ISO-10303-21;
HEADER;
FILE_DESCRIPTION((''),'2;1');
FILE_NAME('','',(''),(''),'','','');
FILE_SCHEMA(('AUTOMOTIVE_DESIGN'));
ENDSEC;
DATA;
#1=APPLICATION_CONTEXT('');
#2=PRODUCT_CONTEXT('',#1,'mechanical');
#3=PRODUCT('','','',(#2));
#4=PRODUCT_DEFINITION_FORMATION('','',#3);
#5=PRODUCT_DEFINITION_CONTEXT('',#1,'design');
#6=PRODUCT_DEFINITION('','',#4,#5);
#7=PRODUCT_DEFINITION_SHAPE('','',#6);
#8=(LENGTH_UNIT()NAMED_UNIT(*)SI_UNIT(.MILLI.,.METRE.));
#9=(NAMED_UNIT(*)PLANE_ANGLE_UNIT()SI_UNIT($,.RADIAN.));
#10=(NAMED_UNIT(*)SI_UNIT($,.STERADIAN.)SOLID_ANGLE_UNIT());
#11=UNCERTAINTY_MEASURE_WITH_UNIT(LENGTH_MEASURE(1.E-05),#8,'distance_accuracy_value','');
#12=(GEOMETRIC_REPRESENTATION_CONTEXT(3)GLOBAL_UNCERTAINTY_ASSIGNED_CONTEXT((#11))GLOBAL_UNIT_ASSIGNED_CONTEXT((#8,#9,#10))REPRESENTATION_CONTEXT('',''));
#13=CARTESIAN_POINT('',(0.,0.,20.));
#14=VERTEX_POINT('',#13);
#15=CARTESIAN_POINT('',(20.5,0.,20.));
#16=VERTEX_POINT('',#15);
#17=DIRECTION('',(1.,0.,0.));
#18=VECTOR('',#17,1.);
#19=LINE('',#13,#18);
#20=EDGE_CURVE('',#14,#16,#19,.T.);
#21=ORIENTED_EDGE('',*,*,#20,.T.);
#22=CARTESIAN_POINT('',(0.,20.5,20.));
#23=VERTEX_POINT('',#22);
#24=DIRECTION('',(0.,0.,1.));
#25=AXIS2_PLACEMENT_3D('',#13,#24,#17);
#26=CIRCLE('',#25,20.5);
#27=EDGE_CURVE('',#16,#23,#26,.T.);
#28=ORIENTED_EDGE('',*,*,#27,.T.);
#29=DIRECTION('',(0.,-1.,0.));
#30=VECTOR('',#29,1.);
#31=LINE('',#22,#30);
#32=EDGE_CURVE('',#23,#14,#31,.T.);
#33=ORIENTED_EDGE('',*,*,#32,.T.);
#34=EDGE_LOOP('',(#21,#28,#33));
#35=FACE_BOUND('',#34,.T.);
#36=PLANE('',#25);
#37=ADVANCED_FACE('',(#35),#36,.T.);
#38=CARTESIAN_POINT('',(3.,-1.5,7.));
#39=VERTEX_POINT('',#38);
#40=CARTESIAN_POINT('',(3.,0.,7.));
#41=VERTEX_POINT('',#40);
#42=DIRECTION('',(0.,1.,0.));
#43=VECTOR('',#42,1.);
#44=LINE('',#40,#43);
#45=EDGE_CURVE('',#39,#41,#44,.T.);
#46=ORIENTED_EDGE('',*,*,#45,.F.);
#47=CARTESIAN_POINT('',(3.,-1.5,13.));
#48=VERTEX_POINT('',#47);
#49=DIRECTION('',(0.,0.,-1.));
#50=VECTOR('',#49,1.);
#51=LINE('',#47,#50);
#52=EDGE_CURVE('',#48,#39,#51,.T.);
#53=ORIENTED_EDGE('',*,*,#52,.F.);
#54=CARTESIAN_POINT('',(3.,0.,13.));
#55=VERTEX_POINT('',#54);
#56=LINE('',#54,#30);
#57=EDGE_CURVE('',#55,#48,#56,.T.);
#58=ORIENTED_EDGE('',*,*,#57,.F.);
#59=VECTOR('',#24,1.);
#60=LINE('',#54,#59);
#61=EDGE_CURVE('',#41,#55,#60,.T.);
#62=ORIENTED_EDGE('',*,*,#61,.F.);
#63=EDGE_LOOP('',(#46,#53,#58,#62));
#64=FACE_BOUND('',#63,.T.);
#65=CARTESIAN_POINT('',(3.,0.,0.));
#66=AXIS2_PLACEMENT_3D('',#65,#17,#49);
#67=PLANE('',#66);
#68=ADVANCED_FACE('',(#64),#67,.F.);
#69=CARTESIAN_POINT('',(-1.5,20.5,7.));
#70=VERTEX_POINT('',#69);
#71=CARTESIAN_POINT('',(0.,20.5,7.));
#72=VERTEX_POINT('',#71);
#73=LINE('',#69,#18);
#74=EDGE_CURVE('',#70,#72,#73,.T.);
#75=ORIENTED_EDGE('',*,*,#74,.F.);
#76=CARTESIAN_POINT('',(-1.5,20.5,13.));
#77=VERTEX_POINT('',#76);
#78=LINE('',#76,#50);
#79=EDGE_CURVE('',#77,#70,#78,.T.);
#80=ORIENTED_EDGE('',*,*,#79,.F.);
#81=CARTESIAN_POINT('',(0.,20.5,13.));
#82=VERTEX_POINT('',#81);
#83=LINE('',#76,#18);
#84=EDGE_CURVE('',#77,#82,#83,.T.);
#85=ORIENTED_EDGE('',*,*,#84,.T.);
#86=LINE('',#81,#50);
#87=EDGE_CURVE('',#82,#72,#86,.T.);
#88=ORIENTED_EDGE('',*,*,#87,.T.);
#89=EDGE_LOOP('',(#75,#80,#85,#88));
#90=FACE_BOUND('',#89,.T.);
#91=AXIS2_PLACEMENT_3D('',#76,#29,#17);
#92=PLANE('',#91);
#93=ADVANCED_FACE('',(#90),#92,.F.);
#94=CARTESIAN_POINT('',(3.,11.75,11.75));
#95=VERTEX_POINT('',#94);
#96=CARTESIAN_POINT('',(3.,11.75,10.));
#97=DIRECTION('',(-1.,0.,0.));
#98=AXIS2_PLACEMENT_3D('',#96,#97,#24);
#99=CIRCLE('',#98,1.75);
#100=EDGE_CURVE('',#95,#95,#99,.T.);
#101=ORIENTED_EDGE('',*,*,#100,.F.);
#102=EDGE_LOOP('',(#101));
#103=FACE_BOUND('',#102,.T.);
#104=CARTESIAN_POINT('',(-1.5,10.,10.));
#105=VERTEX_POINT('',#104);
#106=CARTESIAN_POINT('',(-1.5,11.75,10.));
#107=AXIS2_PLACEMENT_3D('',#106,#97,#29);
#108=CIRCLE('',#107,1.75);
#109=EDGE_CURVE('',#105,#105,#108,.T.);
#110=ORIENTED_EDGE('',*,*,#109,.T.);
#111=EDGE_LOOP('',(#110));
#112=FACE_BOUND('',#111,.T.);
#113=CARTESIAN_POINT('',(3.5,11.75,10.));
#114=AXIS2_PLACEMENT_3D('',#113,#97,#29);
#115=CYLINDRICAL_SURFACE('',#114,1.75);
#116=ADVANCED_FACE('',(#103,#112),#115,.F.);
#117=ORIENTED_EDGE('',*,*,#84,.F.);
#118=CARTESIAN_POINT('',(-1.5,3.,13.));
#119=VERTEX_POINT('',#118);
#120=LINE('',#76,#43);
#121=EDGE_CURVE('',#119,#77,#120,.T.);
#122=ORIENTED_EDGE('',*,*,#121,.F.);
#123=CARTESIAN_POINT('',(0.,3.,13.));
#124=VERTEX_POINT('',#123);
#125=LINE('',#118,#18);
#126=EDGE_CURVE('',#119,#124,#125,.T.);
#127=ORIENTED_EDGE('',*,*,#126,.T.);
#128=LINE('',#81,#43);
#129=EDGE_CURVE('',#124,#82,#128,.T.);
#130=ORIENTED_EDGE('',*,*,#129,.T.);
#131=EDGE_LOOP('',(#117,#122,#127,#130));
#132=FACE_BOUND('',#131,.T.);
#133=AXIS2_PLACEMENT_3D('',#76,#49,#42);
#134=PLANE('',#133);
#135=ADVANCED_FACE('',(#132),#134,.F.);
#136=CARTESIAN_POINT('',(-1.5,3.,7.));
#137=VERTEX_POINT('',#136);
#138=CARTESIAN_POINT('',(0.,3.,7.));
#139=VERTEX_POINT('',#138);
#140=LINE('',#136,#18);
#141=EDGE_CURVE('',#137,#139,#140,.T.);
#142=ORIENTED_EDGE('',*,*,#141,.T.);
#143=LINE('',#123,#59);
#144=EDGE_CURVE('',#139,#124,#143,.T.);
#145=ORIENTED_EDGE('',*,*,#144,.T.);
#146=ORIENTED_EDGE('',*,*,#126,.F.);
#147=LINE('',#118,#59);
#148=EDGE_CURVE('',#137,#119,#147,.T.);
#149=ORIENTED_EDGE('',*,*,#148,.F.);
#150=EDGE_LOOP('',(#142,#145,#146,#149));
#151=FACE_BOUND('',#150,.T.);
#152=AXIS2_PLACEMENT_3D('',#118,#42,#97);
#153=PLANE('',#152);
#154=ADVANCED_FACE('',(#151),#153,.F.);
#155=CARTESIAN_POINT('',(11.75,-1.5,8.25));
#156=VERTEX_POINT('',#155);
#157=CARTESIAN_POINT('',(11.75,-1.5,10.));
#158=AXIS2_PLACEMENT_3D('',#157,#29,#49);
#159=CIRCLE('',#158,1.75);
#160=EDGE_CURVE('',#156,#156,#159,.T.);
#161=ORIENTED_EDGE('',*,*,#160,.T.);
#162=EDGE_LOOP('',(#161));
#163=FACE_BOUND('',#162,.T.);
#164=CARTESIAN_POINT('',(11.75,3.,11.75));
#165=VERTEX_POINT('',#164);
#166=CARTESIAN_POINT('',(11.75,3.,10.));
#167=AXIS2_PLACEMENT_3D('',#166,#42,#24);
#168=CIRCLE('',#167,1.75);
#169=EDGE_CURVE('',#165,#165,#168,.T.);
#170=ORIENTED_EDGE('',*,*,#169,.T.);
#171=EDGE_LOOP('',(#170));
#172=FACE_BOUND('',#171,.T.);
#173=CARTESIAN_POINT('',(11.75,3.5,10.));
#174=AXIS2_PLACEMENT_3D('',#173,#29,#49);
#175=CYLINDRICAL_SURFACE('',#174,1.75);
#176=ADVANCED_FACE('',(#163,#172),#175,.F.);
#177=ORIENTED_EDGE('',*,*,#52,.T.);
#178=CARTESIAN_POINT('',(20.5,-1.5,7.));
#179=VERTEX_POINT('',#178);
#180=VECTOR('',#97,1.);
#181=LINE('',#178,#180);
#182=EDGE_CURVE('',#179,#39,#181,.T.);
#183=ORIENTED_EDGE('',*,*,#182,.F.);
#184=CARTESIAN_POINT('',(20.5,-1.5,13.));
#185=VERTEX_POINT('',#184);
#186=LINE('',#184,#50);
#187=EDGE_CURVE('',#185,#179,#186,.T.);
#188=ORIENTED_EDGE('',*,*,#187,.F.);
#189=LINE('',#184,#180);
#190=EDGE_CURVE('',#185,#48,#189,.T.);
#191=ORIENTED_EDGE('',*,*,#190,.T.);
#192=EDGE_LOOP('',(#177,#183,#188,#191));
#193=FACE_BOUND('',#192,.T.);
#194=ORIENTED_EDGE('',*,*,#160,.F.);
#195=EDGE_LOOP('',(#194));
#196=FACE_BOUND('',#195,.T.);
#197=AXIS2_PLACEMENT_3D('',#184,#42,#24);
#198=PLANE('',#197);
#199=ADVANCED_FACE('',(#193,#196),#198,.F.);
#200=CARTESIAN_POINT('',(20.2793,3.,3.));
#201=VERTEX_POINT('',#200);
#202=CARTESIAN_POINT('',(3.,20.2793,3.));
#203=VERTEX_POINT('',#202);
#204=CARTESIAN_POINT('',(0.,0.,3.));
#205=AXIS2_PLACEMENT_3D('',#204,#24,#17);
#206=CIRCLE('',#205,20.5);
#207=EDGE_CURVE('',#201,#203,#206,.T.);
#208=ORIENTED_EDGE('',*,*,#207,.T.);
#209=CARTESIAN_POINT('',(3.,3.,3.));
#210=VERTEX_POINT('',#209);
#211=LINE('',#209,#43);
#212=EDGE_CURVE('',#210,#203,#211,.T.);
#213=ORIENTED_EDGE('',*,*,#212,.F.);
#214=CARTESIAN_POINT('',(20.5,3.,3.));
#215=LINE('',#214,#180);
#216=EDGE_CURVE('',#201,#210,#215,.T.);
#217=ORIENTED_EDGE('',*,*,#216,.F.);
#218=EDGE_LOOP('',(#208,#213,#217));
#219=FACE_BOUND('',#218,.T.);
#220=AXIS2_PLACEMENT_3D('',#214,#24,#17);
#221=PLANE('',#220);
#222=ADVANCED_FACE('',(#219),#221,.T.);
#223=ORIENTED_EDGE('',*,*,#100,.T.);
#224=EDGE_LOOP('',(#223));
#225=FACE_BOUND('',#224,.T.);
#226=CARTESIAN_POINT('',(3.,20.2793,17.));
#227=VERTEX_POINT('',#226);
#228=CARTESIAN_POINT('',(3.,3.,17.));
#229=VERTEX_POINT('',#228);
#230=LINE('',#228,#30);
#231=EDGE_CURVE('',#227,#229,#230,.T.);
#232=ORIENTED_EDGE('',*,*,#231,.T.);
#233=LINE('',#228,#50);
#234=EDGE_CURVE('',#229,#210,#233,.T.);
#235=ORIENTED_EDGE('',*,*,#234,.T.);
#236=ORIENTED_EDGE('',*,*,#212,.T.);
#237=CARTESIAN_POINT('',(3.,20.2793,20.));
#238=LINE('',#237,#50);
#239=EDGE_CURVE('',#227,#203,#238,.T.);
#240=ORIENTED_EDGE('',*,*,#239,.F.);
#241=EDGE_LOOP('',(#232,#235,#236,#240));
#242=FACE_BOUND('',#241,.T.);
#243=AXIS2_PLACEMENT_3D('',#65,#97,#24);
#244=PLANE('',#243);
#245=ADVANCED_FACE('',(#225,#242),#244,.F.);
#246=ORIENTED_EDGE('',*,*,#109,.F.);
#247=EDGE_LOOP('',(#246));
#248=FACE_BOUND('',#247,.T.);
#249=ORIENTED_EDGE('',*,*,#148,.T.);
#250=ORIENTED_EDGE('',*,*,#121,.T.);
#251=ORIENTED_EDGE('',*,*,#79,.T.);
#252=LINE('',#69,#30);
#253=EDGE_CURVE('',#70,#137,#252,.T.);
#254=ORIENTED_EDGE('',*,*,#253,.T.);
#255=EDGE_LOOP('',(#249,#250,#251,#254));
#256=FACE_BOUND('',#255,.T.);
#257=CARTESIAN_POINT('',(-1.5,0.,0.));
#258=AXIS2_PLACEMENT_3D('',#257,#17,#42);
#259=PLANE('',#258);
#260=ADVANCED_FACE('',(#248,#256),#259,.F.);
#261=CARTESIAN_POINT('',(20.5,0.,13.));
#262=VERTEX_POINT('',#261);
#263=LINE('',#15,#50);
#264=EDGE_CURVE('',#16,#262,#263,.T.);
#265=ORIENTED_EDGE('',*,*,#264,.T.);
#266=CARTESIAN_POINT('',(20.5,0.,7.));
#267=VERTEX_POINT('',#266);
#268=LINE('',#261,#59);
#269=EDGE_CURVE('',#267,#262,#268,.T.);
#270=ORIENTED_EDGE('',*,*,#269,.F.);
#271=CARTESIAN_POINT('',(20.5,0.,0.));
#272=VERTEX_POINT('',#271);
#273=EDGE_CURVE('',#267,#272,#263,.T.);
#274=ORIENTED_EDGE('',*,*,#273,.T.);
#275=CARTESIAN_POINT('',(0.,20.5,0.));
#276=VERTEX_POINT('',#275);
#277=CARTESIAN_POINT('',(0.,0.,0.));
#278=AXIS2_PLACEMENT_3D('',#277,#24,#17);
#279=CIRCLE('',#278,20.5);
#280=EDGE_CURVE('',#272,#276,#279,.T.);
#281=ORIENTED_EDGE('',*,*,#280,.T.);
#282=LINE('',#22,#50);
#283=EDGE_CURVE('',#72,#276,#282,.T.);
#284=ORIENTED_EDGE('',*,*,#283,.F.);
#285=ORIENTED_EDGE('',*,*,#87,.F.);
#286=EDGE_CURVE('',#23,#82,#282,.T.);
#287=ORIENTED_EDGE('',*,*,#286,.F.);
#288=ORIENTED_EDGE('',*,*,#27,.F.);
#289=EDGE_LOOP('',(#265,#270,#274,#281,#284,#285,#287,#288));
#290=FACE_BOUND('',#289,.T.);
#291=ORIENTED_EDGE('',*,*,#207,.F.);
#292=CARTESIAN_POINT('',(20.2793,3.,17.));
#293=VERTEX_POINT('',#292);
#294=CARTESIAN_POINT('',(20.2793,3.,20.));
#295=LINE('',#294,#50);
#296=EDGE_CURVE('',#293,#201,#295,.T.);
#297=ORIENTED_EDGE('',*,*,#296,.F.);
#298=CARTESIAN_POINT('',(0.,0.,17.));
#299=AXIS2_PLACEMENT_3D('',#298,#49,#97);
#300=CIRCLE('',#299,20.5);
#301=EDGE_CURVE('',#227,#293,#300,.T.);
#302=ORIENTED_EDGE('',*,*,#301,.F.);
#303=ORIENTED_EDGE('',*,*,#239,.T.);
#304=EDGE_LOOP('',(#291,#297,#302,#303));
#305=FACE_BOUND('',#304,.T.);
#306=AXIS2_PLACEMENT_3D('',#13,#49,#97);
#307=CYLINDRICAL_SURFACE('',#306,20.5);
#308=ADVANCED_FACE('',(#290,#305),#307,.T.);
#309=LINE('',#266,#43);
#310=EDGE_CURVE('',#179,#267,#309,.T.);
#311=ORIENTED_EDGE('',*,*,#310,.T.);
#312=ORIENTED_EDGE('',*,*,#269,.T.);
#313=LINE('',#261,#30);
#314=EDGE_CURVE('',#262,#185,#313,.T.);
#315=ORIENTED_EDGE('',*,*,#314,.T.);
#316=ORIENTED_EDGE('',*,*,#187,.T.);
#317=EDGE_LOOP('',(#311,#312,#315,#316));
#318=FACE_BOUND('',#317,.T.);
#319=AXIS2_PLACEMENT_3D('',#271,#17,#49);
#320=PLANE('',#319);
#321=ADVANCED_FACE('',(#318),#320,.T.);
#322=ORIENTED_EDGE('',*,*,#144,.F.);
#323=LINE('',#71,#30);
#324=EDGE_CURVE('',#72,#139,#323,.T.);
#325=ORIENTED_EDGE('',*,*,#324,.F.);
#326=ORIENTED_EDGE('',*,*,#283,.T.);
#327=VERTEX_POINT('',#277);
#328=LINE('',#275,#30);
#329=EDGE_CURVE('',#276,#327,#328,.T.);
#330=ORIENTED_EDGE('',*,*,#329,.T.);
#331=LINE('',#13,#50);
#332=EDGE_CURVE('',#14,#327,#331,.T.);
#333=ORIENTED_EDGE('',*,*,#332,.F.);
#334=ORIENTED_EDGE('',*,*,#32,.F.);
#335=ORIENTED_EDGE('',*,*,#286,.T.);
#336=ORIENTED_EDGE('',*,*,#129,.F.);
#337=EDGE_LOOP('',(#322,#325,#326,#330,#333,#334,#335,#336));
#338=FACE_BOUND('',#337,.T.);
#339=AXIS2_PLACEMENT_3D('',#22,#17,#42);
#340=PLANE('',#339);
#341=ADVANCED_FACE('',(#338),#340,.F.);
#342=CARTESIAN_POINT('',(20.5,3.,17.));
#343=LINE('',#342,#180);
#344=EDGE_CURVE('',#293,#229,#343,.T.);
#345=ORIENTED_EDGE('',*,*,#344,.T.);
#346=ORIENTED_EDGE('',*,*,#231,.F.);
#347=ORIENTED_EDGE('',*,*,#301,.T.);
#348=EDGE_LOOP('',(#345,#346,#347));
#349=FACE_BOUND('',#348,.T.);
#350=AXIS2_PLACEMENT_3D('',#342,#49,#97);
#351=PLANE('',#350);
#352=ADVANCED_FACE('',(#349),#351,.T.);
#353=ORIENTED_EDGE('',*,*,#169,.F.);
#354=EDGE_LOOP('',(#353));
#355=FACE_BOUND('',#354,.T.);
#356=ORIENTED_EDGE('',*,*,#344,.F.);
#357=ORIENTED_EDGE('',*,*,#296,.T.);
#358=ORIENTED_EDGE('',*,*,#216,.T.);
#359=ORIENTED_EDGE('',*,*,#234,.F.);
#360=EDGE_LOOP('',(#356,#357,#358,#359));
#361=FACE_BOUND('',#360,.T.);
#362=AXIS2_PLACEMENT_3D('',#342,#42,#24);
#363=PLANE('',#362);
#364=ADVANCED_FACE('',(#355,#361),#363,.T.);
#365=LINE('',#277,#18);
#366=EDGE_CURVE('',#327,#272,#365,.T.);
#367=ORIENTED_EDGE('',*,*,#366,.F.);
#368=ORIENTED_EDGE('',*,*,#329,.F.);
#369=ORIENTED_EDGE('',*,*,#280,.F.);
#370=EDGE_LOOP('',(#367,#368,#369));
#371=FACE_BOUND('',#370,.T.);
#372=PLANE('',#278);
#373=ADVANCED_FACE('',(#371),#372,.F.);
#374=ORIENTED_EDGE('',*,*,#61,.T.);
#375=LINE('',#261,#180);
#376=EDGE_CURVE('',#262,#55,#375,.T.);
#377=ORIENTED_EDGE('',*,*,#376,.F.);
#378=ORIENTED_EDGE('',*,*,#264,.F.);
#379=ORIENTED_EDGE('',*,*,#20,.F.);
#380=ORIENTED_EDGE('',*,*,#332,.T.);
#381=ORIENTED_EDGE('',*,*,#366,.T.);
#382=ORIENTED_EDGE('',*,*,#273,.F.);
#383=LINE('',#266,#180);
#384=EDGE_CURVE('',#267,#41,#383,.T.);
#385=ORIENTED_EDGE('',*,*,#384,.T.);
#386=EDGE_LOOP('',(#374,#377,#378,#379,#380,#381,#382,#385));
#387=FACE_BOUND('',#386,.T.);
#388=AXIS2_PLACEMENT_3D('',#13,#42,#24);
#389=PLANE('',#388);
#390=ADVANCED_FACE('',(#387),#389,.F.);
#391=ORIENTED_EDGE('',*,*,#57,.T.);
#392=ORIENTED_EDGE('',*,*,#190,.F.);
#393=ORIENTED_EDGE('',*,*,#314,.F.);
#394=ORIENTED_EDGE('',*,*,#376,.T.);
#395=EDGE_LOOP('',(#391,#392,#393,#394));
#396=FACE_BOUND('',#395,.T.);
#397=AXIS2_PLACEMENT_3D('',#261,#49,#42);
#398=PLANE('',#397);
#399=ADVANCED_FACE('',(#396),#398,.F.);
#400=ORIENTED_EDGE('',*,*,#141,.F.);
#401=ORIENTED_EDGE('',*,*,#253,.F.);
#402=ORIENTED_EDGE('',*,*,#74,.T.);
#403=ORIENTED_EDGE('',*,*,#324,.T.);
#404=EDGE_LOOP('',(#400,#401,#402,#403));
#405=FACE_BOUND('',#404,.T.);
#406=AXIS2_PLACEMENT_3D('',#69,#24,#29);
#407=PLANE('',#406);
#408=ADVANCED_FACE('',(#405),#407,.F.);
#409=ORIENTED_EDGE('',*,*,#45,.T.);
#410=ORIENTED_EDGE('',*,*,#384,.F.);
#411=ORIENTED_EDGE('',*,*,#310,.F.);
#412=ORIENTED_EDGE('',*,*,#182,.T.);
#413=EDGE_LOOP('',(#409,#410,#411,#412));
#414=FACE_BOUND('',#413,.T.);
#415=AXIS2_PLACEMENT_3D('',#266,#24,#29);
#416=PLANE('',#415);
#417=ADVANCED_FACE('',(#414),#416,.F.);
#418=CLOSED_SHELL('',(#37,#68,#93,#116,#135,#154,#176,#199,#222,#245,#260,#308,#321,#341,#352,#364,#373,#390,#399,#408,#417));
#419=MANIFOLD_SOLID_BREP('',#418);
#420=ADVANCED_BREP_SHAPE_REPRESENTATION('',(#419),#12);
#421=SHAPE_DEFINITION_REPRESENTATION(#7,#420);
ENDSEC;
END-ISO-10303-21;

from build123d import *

# Parameters (mm, degrees)
Y_KSEKLIK_EKSTR_ZYON1_DEPTH = 20
KES_EKSTR_ZYON1_START       = 3
IZIM2_W                     = 14
IZIM2_H                     = 17.5
KES_EKSTR_ZYON1_DEPTH       = 33.220732531
IZIM6_W                     = 6
IZIM6_H                     = 1.5
Y_KSEKLIK_EKSTR_ZYON3_DEPTH = 17.5
SKETCH_2_R                  = 1.75
CUT_EXTRUDE_2_DEPTH         = 5
SKETCH_3_W                  = 6
SKETCH_3_H                  = 17.5
EXTRUDE_1_DEPTH             = 1.5
SKETCH_4_R                  = 1.75
CUT_EXTRUDE_3_DEPTH         = 5


with BuildPart() as part:
    # Çizim1 → Yükseklik-Ekstrüzyon1 (new body)
    with BuildSketch(Plane.XY):
        with BuildLine():
            Line((0, 20.5), (0, 0))
            Line((0, 0), (20.5, 0))
            ThreePointArc((20.5, 0), (14.495689014, 14.495689014), (0, 20.5))
        make_face()
    extrude(amount=Y_KSEKLIK_EKSTR_ZYON1_DEPTH)

    # Çizim2 → Kes-Ekstrüzyon1 (cut, through all)
    with BuildSketch(Plane(origin=(0, 0, 0), x_dir=(0, 0, -1), z_dir=(1, 0, 0)).offset(KES_EKSTR_ZYON1_START)):
        with Locations((-10, 11.75)):
            Rectangle(IZIM2_W, IZIM2_H)
    extrude(amount=KES_EKSTR_ZYON1_DEPTH, mode=Mode.SUBTRACT)

    # Çizim6 → Yükseklik-Ekstrüzyon3 (add, through all)
    with BuildSketch(Plane(origin=(3, 0, 0), x_dir=(0, 0, -1), z_dir=(1, 0, 0))):
        with Locations((-10, -0.75)):
            Rectangle(IZIM6_W, IZIM6_H)
    extrude(amount=Y_KSEKLIK_EKSTR_ZYON3_DEPTH)

    # Эскиз2 → Вырез-Вытянуть2 (cut)
    with BuildSketch(Plane.XZ.offset(1.5)):
        with Locations(Location((11.75, 10, 0), (0, 0, 270))):
            Circle(SKETCH_2_R)
    extrude(amount=-CUT_EXTRUDE_2_DEPTH, mode=Mode.SUBTRACT)

    # Эскиз3 → Бобышка-Вытянуть1 (add)
    with BuildSketch(Plane.ZY):
        with Locations((10, 11.75)):
            Rectangle(SKETCH_3_W, SKETCH_3_H)
    extrude(amount=EXTRUDE_1_DEPTH)

    # Эскиз4 → Вырез-Вытянуть3 (cut)
    with BuildSketch(Plane.ZY.offset(1.5)):
        with Locations(Location((10, 11.75, 0), (0, 0, 270))):
            Circle(SKETCH_4_R)
    extrude(amount=-CUT_EXTRUDE_3_DEPTH, mode=Mode.SUBTRACT)


solid = part.part
